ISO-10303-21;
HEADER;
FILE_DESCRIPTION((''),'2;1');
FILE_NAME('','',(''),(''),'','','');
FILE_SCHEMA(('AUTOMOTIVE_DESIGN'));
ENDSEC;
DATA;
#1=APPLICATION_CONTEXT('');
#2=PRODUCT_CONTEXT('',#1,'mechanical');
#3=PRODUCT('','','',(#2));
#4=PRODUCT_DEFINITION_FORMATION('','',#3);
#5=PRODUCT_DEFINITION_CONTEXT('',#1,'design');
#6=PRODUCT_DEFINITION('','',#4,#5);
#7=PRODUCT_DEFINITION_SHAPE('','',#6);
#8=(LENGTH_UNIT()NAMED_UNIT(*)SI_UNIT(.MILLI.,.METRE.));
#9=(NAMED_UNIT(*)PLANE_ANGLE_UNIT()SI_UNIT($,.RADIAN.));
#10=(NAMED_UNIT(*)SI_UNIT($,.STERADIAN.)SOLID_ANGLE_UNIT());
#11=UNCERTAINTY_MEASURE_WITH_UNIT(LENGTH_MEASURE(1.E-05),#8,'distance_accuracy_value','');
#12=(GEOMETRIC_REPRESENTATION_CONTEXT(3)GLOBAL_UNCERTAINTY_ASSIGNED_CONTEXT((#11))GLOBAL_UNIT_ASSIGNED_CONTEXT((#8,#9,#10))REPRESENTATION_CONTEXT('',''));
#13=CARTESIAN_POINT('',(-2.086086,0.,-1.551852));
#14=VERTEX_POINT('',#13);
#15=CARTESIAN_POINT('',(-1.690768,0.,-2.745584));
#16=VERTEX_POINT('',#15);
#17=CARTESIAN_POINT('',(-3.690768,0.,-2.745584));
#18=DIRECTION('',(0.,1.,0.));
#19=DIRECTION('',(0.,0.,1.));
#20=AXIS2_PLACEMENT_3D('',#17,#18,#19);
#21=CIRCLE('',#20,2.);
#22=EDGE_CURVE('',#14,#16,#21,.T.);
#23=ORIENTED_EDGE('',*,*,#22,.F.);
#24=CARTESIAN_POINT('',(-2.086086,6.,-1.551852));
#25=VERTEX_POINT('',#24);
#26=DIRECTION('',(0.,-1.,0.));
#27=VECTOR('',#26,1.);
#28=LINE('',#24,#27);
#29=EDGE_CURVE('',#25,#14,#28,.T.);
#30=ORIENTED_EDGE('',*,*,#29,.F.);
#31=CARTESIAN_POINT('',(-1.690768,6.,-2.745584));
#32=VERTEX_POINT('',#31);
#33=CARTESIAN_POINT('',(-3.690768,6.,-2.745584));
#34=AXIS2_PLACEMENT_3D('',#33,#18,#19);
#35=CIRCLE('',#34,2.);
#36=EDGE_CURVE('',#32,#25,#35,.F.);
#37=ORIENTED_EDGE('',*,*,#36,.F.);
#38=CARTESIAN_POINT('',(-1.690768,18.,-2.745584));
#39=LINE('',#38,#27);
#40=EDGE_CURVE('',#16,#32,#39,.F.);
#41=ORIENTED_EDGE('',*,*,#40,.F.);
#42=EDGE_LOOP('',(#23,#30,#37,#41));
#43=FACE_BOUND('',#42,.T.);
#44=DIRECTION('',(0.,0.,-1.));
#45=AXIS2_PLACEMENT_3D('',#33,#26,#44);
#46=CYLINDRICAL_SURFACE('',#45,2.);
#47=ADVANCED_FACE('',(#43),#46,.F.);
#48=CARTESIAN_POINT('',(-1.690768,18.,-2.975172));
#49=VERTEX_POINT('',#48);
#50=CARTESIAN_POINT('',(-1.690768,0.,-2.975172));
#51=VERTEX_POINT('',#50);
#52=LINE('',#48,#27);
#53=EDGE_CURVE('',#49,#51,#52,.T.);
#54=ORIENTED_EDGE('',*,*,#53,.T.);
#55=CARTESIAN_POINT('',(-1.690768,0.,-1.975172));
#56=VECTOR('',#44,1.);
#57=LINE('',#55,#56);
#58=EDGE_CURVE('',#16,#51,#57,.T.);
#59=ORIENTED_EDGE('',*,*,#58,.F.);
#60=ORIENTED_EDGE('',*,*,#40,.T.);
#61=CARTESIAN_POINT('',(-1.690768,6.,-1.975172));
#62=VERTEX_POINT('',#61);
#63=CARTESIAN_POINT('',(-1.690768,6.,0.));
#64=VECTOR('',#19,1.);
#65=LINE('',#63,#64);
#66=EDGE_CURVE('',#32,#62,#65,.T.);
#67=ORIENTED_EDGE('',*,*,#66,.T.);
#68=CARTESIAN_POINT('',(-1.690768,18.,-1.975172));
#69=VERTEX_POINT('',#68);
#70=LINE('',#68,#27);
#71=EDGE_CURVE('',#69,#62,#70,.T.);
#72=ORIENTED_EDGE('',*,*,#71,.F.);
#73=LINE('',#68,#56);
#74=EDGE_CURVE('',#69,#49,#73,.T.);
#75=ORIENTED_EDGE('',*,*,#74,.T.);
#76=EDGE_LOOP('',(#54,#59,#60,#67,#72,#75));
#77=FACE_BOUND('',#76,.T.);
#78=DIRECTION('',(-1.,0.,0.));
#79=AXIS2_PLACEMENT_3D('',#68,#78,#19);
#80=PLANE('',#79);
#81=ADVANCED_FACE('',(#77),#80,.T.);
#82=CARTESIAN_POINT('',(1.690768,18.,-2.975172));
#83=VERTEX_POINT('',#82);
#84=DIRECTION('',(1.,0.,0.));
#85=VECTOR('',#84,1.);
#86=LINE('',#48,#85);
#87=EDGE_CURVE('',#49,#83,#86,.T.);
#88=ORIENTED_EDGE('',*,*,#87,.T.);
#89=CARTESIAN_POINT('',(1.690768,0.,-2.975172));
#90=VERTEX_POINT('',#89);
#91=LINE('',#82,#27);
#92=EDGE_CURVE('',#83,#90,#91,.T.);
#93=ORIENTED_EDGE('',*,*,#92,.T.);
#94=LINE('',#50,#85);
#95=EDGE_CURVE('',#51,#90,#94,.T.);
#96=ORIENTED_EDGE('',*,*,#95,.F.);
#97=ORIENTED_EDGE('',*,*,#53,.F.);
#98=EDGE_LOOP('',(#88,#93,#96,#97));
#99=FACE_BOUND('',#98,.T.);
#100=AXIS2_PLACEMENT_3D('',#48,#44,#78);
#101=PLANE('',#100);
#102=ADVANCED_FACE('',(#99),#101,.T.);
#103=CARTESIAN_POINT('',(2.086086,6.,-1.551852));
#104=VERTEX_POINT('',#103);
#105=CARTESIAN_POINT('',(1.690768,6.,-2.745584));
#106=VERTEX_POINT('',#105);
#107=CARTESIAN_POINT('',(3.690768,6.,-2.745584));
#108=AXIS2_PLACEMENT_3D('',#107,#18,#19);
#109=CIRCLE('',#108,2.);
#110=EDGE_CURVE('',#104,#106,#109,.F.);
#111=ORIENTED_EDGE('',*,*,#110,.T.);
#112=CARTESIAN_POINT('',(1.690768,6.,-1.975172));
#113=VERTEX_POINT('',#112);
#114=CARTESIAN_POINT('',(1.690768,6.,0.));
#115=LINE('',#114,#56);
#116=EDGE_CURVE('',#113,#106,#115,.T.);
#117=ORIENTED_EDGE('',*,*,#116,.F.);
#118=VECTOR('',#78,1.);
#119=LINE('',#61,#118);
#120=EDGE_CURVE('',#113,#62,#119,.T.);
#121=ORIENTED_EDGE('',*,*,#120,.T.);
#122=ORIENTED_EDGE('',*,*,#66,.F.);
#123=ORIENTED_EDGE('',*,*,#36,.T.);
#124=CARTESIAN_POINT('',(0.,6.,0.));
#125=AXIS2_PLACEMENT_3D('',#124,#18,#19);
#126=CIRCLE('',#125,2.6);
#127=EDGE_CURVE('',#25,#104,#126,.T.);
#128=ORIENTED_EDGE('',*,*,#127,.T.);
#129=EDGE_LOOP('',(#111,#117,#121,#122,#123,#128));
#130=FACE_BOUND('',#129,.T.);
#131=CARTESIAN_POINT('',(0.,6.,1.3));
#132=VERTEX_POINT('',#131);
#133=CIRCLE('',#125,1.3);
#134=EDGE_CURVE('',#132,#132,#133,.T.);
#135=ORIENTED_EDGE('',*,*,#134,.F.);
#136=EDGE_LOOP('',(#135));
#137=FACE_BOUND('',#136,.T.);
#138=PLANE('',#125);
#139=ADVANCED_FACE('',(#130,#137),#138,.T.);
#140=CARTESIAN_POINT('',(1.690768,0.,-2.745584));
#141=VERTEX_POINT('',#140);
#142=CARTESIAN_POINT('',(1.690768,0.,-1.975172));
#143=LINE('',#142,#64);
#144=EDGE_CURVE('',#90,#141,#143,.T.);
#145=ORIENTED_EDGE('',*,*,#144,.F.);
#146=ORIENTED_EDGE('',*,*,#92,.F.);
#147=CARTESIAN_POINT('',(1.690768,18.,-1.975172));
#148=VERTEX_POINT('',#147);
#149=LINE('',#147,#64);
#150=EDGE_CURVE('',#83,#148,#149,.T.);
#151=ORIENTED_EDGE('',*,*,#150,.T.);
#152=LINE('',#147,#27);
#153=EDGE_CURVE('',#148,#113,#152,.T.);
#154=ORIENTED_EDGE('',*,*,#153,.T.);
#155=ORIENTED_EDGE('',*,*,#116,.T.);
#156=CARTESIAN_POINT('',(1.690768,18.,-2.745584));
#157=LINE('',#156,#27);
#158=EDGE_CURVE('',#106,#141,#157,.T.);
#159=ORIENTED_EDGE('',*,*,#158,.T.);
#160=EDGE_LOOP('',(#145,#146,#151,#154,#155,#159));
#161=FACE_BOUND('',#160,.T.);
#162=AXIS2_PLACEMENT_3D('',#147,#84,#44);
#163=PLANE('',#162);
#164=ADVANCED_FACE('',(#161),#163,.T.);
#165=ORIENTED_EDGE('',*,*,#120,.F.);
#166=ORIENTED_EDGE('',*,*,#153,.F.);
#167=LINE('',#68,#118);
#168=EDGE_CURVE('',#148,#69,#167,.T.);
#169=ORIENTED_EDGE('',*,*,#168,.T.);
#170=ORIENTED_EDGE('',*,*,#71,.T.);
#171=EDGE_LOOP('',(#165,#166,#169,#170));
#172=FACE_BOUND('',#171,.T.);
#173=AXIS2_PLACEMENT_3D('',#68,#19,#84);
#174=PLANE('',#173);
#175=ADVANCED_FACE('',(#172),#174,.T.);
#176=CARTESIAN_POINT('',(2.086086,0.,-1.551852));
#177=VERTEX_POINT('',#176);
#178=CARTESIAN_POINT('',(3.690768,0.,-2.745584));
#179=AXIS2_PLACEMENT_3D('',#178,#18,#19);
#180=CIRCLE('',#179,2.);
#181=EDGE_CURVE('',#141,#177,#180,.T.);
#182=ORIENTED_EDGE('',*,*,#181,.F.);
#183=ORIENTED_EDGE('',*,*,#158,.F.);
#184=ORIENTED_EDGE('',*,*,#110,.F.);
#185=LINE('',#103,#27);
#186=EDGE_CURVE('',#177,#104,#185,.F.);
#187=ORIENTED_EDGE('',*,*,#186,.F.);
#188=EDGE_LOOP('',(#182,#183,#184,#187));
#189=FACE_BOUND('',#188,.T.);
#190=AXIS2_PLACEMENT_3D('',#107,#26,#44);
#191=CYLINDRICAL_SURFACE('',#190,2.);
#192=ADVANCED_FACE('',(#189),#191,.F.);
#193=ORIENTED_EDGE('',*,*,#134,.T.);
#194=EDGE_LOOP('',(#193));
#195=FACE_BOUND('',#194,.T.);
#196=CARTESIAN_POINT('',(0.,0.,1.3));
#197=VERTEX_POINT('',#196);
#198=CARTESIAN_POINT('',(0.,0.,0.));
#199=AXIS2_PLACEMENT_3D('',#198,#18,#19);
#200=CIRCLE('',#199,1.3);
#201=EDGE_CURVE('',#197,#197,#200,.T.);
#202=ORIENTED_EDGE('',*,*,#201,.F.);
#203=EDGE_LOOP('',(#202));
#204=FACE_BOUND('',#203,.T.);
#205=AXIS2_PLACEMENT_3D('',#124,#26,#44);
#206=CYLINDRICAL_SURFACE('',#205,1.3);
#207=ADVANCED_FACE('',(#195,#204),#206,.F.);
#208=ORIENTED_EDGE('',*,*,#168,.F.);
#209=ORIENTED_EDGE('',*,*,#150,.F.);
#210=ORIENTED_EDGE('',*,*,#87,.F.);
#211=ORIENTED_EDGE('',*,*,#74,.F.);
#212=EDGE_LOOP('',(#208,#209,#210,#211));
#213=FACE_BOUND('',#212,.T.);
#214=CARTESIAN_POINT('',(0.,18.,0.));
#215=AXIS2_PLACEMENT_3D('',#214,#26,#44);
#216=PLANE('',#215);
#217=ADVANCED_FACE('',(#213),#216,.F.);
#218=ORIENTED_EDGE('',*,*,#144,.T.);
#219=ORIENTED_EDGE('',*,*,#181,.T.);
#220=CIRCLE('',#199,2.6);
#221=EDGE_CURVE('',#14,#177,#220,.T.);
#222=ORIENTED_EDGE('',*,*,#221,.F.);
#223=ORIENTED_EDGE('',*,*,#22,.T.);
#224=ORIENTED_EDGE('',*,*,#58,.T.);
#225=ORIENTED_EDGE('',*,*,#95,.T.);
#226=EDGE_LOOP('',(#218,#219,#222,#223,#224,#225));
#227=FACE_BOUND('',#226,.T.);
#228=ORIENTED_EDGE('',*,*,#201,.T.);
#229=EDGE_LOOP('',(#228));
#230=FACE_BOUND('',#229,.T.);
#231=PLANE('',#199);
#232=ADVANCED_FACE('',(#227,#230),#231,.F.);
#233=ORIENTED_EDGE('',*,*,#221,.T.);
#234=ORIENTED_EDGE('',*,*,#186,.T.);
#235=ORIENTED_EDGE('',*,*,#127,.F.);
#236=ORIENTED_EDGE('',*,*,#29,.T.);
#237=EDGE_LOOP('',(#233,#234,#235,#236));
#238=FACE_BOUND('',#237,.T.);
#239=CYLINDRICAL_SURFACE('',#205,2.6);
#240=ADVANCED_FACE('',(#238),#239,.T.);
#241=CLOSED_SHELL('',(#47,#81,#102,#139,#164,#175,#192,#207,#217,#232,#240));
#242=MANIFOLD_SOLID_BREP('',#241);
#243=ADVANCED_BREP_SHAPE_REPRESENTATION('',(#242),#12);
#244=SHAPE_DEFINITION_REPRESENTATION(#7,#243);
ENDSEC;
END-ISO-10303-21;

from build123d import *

# Parameters (mm, degrees)
SKETCH_1_R      = 1.3
EXTRUDE_1_DEPTH = 6
SKETCH_2_W      = 3.381536624
SKETCH_2_H      = 1
EXTRUDE_2_DEPTH = 18
FILLET_1_R      = 2


with BuildPart() as part:
    # Эскиз1 → Бобышка-Вытянуть1 (new body)
    with BuildSketch(Plane(origin=(0, 0, 0), x_dir=(1, 0, 0), z_dir=(0, 1, 0))):
        with BuildLine():
            Line((-1.690768312, 1.975171515), (1.690768312, 1.975171515))
            ThreePointArc((1.690768312, 1.975171515), (0, -2.6), (-1.690768312, 1.975171515))
        make_face()
        with Locations(Location((0, 0, 0), (0, 0, 270))):
            Circle(SKETCH_1_R, mode=Mode.SUBTRACT)
    extrude(amount=EXTRUDE_1_DEPTH)

    # Эскиз2 → Бобышка-Вытянуть2 (add)
    with BuildSketch(Plane.XZ):
        with Locations((0, -2.475171515)):
            Rectangle(SKETCH_2_W, SKETCH_2_H)
    extrude(amount=-EXTRUDE_2_DEPTH)

    # Скругление1
    fillet_1_edges = [part.edges().sort_by_distance(p)[0] for p in [
        (-1.690768312, 3, -1.975171515),
        (1.690768312, 3, -1.975171515),
    ]]
    fillet(fillet_1_edges, radius=FILLET_1_R)


solid = part.part
